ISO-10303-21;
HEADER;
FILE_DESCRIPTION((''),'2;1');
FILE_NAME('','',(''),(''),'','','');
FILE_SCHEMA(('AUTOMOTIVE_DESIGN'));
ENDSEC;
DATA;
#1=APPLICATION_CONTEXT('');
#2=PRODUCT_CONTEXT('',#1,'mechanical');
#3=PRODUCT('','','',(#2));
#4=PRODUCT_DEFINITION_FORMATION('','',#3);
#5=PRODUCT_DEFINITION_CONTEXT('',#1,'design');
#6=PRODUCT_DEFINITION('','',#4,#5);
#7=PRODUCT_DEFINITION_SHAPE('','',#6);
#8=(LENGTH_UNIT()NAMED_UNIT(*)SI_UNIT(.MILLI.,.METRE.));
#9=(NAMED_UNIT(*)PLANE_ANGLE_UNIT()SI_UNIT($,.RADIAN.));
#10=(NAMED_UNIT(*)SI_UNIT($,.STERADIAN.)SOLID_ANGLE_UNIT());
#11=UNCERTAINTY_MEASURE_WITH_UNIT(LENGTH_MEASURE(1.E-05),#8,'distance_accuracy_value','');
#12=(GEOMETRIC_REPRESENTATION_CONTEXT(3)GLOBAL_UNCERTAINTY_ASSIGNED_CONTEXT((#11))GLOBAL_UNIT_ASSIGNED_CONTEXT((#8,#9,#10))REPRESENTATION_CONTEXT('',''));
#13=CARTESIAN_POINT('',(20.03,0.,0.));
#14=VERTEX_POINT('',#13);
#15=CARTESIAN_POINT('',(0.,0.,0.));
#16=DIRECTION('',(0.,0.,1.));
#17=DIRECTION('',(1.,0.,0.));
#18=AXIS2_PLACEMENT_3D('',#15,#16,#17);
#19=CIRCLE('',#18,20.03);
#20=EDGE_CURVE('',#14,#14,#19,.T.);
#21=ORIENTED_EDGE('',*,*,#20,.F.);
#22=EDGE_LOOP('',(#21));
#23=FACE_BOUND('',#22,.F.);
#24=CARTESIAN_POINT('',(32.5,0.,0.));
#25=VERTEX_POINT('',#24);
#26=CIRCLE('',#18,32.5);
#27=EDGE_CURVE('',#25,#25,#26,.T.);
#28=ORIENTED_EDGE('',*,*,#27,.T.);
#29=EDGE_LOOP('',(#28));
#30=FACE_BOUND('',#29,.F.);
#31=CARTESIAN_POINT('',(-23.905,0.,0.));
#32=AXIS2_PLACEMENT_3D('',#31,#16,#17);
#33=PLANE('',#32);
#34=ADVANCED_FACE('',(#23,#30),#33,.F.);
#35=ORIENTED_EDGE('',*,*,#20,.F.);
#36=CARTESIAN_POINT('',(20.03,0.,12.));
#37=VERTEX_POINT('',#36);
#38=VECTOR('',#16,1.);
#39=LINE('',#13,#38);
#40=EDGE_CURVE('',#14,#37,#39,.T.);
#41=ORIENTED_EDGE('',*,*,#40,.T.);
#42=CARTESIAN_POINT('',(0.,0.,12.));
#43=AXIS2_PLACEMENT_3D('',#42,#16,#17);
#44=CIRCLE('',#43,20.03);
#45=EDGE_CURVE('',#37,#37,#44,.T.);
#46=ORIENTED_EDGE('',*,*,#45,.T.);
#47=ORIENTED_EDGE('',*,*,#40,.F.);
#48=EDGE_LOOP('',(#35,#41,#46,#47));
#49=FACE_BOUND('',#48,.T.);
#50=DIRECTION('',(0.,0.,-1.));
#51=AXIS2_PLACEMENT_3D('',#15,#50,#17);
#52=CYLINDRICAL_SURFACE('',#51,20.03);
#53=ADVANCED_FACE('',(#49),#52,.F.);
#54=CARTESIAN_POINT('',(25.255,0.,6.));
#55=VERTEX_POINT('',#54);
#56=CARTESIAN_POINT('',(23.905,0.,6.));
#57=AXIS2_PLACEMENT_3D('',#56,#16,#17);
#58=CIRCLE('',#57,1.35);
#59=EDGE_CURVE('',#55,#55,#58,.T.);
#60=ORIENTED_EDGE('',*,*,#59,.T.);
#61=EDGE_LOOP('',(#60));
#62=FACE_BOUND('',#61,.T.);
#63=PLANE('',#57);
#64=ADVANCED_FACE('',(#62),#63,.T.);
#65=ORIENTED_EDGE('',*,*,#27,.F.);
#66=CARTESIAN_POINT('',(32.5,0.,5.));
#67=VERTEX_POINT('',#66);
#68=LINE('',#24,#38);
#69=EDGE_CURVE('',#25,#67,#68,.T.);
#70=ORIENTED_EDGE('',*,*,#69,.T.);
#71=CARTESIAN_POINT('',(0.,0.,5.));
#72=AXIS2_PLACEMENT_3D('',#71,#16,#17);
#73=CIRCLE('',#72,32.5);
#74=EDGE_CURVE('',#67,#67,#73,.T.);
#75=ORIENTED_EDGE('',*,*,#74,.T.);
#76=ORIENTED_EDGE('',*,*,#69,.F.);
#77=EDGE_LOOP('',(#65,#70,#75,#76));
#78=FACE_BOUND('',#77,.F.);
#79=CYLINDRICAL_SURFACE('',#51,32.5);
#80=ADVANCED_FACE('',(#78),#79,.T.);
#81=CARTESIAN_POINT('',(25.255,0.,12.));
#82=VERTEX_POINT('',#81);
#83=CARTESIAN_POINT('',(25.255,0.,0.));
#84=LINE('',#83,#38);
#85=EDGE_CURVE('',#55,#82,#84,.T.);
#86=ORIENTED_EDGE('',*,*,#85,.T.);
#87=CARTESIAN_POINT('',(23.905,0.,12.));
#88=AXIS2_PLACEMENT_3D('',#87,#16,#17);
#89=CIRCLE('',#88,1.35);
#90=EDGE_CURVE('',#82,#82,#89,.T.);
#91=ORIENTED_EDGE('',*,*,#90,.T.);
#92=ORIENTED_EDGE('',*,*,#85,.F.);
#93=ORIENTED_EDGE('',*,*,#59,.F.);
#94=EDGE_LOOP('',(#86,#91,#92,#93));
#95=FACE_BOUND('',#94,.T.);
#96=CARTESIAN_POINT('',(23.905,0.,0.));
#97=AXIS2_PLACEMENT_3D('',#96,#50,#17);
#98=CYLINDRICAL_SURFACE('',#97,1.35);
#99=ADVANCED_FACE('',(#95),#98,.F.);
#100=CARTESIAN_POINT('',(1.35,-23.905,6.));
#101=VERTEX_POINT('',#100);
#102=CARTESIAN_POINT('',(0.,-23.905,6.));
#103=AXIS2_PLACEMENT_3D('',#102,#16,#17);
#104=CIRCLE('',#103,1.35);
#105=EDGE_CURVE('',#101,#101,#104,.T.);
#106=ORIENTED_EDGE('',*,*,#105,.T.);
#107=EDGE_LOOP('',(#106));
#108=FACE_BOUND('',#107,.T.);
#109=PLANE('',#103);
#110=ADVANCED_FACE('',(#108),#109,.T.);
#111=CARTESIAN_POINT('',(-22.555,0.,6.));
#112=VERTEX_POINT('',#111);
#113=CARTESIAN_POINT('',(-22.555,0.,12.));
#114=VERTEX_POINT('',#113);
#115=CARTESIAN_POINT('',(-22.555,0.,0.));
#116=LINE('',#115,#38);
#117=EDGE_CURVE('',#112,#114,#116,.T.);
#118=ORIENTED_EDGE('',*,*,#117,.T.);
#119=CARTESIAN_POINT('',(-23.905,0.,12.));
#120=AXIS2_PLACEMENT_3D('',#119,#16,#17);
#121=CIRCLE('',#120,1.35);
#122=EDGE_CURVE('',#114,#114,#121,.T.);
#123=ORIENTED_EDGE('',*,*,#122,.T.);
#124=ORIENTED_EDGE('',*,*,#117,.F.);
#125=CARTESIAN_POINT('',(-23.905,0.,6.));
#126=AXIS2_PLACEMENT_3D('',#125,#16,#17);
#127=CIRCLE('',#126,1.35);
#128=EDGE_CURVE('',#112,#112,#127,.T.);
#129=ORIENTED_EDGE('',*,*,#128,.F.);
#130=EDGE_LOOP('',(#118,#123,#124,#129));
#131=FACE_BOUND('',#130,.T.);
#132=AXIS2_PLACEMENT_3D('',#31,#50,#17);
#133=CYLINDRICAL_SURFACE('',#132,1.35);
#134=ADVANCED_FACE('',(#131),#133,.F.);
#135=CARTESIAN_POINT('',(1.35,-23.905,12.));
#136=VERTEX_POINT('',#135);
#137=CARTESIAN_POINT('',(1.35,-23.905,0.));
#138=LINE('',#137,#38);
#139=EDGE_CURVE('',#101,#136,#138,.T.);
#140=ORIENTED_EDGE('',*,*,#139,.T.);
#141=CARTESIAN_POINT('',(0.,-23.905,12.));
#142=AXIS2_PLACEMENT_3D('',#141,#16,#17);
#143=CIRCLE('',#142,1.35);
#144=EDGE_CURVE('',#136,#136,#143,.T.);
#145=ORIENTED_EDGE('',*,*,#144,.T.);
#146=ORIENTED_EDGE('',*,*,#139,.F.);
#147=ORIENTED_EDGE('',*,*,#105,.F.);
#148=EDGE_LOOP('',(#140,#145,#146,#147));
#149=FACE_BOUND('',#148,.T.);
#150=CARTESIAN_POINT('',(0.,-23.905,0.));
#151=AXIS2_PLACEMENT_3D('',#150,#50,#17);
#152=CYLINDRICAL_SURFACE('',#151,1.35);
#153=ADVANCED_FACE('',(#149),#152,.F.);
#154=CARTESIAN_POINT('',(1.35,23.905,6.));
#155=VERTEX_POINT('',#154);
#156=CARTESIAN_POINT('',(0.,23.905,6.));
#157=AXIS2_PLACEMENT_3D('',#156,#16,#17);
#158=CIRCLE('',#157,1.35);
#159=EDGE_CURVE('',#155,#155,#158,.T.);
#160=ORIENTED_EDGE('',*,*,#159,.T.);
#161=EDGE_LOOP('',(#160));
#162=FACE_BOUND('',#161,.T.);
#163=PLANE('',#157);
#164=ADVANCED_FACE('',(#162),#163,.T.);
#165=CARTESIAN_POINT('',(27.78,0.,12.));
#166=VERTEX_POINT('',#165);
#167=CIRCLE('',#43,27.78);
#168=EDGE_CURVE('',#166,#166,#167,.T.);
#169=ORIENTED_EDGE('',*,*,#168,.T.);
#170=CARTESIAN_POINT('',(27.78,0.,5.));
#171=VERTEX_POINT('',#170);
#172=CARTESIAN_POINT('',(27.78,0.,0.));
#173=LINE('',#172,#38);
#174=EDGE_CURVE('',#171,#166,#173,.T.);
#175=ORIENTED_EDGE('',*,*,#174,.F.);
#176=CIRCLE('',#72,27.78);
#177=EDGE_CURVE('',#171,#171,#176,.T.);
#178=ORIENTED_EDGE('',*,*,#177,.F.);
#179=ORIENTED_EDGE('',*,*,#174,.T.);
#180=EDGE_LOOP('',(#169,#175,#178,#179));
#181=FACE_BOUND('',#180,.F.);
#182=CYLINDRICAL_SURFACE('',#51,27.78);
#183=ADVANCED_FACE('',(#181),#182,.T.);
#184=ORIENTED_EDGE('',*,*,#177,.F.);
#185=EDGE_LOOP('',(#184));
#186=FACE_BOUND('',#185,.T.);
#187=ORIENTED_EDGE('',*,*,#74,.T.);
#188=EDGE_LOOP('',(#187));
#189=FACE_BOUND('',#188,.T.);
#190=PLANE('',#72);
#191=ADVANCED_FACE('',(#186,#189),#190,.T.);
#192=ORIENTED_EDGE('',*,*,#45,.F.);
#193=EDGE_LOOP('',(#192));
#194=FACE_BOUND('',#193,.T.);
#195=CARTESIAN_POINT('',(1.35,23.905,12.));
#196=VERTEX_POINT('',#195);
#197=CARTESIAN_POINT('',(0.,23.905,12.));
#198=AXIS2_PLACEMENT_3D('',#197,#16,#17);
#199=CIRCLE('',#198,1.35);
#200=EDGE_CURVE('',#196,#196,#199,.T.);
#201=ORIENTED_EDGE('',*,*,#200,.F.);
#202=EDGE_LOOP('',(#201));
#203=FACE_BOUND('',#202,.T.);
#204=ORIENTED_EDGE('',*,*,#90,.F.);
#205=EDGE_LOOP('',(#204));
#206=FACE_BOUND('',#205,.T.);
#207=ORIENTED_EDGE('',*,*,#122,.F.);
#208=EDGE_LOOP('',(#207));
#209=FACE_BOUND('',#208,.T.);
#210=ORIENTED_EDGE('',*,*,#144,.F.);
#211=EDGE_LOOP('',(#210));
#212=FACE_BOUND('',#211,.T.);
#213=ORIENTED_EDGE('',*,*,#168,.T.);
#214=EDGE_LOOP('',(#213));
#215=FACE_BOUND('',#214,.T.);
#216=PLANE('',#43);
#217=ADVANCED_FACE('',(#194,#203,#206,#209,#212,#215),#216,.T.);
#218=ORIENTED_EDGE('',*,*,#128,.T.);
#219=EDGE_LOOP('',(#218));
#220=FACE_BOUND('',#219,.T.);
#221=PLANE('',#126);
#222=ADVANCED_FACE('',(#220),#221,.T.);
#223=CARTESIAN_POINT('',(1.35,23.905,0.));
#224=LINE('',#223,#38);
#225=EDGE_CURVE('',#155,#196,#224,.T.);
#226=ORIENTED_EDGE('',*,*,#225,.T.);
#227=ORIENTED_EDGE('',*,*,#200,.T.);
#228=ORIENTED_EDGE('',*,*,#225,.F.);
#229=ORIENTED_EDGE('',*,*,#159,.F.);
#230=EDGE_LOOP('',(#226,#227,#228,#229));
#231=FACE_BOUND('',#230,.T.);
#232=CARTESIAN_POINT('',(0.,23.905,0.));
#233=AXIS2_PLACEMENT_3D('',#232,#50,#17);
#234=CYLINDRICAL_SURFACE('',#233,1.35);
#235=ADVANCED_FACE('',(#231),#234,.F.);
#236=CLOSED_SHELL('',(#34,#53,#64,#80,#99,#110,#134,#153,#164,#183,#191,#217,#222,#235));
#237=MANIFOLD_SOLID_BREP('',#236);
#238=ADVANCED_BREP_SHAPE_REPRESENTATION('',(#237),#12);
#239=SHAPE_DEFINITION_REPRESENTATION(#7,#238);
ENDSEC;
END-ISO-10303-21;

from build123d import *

# Parameters (mm, degrees)
F0_R     = 32.5
F0_R_2   = 27.78
F1_DEPTH = 5
F0_R_3   = 1.35
F0_R_4   = 20.03
F2_DEPTH = 12
F3_DEPTH = 6


with BuildPart() as f1:
    # F0 (on Top) → F1 (new body)
    with BuildSketch(Plane.XY):
        Circle(F0_R)
        Circle(F0_R_2, mode=Mode.SUBTRACT)
    extrude(amount=F1_DEPTH)

    # F0 (on Top) → F2 (join)
    with BuildSketch(Plane.XY):
        Circle(F0_R_2)
        with Locations((0, -23.905)):
            Circle(F0_R_3, mode=Mode.SUBTRACT)
        with Locations((-23.905, 0)):
            Circle(F0_R_3, mode=Mode.SUBTRACT)
        Circle(F0_R_4, mode=Mode.SUBTRACT)
        with Locations((23.905, 0)):
            Circle(F0_R_3, mode=Mode.SUBTRACT)
        with Locations((0, 23.905)):
            Circle(F0_R_3, mode=Mode.SUBTRACT)
    extrude(amount=F2_DEPTH)

    # F0 (on Top) → F3 (join)
    with BuildSketch(Plane.XY):
        with Locations((-23.905, 0)):
            Circle(F0_R_3)
        with Locations((0, 23.905)):
            Circle(F0_R_3)
        with Locations((23.905, 0)):
            Circle(F0_R_3)
        with Locations((0, -23.905)):
            Circle(F0_R_3)
    extrude(amount=F3_DEPTH)


solid = f1.part
